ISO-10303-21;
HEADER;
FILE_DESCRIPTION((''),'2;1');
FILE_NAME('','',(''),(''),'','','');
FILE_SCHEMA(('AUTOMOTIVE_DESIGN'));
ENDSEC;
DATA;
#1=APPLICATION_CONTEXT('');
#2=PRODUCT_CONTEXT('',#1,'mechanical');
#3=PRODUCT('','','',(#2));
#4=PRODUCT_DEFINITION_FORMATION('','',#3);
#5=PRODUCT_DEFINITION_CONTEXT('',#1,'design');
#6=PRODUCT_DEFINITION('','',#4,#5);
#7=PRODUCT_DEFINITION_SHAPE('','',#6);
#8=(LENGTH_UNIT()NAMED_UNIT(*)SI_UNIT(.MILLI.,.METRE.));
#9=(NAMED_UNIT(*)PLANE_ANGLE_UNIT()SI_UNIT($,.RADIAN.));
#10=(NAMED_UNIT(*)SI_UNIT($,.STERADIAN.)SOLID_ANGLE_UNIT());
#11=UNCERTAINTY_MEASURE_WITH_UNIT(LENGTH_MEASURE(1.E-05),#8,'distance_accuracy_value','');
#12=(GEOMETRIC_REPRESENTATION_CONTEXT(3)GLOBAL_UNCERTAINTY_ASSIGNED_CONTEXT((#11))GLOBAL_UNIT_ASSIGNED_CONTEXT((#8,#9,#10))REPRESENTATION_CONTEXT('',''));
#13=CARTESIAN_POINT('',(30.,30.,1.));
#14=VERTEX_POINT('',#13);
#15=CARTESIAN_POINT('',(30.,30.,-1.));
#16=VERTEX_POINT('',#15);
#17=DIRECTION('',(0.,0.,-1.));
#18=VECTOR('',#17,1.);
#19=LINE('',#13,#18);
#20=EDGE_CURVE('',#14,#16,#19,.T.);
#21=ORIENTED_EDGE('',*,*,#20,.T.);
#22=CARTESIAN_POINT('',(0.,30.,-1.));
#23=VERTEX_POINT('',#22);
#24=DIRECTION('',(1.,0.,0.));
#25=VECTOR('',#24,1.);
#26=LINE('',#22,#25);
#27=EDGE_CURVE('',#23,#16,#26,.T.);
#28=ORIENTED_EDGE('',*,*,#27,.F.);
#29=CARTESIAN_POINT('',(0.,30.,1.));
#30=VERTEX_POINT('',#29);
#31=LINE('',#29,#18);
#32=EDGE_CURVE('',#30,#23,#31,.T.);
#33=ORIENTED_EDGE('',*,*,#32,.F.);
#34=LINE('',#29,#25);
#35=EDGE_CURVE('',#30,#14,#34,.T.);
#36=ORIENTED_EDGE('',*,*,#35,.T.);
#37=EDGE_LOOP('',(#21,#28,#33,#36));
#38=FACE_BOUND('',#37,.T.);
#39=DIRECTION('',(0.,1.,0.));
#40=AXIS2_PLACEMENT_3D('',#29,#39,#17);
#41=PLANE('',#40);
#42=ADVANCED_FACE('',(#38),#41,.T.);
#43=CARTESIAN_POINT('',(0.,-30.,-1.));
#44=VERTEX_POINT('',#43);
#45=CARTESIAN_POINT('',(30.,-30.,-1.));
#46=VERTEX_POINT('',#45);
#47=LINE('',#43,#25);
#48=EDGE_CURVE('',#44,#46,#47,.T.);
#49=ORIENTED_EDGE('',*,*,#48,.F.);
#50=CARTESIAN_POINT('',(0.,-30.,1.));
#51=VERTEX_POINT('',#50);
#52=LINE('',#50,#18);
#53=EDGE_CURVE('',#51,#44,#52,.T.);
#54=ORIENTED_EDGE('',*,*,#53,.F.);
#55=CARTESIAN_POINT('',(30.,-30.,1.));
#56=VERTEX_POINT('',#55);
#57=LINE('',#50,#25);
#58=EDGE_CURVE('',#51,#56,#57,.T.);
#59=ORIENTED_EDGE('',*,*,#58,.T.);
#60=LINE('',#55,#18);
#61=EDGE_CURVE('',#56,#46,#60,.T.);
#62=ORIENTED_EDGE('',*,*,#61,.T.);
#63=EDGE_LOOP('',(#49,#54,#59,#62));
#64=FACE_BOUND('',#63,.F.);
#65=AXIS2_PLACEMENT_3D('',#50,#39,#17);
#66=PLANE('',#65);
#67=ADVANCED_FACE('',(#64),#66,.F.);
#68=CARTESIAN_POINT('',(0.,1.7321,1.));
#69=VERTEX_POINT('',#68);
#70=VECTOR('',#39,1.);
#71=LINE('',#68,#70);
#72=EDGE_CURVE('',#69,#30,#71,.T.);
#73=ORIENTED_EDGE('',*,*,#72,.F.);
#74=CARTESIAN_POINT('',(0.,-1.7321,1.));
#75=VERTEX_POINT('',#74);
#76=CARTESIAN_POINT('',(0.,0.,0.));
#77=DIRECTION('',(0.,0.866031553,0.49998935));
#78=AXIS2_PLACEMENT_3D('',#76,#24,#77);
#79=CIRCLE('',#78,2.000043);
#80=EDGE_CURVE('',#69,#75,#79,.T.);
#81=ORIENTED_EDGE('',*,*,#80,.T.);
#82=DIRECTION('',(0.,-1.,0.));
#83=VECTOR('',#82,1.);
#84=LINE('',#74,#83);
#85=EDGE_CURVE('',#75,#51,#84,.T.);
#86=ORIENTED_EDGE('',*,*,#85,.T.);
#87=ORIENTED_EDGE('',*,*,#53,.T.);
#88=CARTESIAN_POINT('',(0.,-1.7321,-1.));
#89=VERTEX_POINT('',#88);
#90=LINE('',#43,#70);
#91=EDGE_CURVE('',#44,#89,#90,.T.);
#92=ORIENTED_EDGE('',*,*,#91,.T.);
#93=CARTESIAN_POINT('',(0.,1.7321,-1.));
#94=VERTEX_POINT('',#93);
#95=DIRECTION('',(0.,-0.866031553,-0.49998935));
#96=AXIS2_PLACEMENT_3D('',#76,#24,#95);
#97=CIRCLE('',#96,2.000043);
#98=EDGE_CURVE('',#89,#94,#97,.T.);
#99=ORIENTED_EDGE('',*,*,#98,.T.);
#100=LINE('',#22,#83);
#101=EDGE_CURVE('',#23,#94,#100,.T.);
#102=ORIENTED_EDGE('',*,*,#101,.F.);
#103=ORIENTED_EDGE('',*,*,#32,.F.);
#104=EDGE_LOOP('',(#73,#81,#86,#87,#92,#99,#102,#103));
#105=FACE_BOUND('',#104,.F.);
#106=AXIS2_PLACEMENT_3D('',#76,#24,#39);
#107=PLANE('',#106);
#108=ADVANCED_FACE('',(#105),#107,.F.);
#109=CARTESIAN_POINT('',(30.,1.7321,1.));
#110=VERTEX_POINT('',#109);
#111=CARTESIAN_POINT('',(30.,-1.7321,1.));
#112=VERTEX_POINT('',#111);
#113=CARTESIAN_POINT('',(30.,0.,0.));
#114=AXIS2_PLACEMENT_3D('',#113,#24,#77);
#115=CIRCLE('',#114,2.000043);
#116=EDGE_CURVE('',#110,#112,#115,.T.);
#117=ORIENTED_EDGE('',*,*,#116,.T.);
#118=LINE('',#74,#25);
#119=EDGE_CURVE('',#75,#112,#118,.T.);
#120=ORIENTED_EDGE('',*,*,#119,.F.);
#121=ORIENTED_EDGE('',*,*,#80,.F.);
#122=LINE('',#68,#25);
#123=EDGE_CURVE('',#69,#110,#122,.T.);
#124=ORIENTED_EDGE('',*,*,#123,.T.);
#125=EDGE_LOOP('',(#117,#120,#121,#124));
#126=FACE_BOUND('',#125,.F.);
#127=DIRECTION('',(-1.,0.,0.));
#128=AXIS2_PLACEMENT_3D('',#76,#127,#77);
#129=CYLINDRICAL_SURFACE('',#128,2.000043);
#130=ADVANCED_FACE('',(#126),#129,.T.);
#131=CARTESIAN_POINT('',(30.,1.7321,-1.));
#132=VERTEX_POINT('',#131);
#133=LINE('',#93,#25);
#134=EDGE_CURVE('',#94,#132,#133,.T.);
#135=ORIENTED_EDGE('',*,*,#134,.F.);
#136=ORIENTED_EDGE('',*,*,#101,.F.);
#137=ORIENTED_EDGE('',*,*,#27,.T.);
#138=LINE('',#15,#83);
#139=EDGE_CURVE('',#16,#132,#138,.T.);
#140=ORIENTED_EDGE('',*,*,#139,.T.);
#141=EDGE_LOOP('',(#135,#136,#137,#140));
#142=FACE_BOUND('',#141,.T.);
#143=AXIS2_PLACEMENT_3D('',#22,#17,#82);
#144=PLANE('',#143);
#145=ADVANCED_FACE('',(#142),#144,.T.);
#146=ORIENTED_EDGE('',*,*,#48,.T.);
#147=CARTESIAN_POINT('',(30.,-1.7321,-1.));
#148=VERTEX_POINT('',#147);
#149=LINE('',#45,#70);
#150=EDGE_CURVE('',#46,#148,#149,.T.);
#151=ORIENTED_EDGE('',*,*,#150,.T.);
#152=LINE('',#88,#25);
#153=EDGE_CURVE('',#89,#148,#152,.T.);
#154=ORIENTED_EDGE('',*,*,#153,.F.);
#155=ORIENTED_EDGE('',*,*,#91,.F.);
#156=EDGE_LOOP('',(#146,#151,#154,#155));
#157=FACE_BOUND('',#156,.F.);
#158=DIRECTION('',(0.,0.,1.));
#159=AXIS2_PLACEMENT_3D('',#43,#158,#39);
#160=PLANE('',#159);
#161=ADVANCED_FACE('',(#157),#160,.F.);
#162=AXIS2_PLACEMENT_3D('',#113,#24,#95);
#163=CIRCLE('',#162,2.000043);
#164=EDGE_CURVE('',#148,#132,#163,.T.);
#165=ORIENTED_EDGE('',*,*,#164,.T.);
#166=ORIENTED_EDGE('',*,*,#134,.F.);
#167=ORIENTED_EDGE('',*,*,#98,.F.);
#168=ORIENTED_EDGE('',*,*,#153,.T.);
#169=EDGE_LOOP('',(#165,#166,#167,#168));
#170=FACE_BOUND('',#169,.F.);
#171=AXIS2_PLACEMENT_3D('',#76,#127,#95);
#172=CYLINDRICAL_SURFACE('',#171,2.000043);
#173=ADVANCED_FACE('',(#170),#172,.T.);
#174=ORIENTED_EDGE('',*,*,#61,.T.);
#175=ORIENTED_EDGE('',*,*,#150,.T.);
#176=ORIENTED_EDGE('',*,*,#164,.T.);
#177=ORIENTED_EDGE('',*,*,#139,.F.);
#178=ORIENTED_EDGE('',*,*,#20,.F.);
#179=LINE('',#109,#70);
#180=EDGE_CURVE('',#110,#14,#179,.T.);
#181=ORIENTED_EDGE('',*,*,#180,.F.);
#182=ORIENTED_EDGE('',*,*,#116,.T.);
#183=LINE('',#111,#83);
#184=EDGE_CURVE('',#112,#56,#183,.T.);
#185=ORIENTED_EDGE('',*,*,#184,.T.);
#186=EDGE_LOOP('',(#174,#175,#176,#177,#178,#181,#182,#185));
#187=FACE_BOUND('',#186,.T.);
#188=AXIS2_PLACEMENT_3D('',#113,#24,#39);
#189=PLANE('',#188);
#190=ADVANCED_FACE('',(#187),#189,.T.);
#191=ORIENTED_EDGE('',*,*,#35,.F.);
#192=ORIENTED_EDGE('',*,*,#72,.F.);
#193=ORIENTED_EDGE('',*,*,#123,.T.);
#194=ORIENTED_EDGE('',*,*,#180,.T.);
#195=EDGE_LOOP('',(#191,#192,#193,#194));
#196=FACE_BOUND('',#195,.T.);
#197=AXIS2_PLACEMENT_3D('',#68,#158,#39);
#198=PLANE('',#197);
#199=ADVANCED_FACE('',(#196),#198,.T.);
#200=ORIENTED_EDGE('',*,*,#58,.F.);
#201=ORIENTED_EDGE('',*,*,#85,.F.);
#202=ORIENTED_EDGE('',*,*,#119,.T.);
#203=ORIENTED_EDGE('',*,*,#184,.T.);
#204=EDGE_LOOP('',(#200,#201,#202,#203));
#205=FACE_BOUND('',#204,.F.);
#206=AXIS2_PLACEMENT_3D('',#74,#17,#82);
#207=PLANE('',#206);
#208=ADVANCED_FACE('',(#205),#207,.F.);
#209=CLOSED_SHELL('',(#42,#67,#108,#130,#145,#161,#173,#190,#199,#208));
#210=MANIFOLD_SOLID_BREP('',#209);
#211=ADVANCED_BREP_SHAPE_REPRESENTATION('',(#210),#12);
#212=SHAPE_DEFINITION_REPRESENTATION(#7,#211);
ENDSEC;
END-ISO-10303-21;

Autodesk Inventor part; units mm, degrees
ref_plane "YZ Plane" through (0, 0, 0) normal (1, 0, 0) x (0, 1, 0)
ref_plane "XZ Plane" through (0, 0, 0) normal (0, 1, 0) x (-1, 0, 0)
ref_plane "XY Plane" through (0, 0, 0) normal (0, 0, 1) x (1, 0, 0)
sketch "Sketch1" plane through (0, 0, 0) normal (1, 0, 0) x (0, 1, 0)
  line L0 (1.7321, 1) -> (30, 1)
  line L1 (30, 1) -> (30, -1)
  line L2 (30, -1) -> (1.7321, -1)
  line L3 (-1.7321, 1) -> (-30, 1)
  line L4 (-30, 1) -> (-30, -1)
  line L5 (-30, -1) -> (-1.7321, -1)
  arc A0 (1.7321, 1) -> (-1.7321, 1) centre (0, 0) ccw
  arc A1 (-1.7321, -1) -> (1.7321, -1) centre (0, 0) ccw
  dimension "d1" = 2
  dimension "d26" = 30
  dimension "d27" = 30
extrude "Extrusion1" add sketch "Sketch1" along normal blind 30
properties part number "Flat Hinge"
